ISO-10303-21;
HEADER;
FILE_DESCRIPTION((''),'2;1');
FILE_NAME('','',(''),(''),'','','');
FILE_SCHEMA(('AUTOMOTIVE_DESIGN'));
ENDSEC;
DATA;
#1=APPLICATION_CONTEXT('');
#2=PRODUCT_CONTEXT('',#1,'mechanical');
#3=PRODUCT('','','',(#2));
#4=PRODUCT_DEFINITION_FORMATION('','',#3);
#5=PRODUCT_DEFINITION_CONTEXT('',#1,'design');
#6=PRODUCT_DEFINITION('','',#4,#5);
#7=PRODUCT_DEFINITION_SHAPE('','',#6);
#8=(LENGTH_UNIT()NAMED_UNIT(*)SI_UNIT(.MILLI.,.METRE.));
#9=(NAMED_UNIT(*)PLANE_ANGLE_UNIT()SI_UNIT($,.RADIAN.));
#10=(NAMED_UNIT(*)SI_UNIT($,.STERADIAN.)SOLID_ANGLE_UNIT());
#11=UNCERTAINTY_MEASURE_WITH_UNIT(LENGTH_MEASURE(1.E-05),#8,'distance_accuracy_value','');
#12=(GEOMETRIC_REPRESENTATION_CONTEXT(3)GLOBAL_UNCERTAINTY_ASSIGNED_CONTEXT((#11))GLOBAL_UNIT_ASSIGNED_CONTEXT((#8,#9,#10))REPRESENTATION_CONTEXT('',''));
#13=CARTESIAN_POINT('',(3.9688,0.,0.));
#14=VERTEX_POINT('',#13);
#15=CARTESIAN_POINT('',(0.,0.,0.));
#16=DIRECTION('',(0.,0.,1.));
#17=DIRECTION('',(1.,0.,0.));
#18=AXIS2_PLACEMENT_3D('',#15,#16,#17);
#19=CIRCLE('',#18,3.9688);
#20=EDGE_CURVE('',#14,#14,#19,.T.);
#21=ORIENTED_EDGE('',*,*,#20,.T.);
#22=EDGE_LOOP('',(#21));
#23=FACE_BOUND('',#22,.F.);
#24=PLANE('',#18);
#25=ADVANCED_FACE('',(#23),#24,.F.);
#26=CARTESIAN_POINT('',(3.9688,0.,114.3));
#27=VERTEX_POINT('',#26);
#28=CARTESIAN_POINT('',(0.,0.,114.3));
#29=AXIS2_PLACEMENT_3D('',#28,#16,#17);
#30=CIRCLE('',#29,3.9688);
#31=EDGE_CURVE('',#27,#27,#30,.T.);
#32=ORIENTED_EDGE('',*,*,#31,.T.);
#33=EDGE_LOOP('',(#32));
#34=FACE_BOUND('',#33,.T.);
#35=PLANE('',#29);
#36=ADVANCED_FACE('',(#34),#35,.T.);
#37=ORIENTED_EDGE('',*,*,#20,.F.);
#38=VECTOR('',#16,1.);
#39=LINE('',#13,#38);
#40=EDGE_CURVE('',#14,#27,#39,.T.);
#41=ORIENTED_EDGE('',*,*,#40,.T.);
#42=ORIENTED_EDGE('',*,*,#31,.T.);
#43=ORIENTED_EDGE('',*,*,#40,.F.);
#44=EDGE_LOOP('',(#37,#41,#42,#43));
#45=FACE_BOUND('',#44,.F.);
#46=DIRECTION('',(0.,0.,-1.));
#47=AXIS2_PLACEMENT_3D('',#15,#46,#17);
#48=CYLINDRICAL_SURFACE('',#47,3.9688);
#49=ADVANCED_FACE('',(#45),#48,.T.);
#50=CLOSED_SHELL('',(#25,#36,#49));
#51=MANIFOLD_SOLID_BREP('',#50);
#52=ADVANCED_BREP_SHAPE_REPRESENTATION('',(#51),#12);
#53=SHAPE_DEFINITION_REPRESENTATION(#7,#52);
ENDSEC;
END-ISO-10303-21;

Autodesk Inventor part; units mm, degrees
ref_plane "YZ Plane" through (0, 0, 0) normal (1, 0, 0) x (0, 1, 0)
ref_plane "XZ Plane" through (0, 0, 0) normal (0, 1, 0) x (-1, 0, 0)
ref_plane "XY Plane" through (0, 0, 0) normal (0, 0, 1) x (1, 0, 0)
sketch "Sketch1" plane through (0, 0, 0) normal (0, 0, 1) x (1, 0, 0)
  circle A0 centre (0, 0) radius 3.9688
  dimension "d0" = 7.9375
extrude "Extrusion1" add sketch "Sketch1" along normal blind 114.3
properties part number "FrontAxel"
